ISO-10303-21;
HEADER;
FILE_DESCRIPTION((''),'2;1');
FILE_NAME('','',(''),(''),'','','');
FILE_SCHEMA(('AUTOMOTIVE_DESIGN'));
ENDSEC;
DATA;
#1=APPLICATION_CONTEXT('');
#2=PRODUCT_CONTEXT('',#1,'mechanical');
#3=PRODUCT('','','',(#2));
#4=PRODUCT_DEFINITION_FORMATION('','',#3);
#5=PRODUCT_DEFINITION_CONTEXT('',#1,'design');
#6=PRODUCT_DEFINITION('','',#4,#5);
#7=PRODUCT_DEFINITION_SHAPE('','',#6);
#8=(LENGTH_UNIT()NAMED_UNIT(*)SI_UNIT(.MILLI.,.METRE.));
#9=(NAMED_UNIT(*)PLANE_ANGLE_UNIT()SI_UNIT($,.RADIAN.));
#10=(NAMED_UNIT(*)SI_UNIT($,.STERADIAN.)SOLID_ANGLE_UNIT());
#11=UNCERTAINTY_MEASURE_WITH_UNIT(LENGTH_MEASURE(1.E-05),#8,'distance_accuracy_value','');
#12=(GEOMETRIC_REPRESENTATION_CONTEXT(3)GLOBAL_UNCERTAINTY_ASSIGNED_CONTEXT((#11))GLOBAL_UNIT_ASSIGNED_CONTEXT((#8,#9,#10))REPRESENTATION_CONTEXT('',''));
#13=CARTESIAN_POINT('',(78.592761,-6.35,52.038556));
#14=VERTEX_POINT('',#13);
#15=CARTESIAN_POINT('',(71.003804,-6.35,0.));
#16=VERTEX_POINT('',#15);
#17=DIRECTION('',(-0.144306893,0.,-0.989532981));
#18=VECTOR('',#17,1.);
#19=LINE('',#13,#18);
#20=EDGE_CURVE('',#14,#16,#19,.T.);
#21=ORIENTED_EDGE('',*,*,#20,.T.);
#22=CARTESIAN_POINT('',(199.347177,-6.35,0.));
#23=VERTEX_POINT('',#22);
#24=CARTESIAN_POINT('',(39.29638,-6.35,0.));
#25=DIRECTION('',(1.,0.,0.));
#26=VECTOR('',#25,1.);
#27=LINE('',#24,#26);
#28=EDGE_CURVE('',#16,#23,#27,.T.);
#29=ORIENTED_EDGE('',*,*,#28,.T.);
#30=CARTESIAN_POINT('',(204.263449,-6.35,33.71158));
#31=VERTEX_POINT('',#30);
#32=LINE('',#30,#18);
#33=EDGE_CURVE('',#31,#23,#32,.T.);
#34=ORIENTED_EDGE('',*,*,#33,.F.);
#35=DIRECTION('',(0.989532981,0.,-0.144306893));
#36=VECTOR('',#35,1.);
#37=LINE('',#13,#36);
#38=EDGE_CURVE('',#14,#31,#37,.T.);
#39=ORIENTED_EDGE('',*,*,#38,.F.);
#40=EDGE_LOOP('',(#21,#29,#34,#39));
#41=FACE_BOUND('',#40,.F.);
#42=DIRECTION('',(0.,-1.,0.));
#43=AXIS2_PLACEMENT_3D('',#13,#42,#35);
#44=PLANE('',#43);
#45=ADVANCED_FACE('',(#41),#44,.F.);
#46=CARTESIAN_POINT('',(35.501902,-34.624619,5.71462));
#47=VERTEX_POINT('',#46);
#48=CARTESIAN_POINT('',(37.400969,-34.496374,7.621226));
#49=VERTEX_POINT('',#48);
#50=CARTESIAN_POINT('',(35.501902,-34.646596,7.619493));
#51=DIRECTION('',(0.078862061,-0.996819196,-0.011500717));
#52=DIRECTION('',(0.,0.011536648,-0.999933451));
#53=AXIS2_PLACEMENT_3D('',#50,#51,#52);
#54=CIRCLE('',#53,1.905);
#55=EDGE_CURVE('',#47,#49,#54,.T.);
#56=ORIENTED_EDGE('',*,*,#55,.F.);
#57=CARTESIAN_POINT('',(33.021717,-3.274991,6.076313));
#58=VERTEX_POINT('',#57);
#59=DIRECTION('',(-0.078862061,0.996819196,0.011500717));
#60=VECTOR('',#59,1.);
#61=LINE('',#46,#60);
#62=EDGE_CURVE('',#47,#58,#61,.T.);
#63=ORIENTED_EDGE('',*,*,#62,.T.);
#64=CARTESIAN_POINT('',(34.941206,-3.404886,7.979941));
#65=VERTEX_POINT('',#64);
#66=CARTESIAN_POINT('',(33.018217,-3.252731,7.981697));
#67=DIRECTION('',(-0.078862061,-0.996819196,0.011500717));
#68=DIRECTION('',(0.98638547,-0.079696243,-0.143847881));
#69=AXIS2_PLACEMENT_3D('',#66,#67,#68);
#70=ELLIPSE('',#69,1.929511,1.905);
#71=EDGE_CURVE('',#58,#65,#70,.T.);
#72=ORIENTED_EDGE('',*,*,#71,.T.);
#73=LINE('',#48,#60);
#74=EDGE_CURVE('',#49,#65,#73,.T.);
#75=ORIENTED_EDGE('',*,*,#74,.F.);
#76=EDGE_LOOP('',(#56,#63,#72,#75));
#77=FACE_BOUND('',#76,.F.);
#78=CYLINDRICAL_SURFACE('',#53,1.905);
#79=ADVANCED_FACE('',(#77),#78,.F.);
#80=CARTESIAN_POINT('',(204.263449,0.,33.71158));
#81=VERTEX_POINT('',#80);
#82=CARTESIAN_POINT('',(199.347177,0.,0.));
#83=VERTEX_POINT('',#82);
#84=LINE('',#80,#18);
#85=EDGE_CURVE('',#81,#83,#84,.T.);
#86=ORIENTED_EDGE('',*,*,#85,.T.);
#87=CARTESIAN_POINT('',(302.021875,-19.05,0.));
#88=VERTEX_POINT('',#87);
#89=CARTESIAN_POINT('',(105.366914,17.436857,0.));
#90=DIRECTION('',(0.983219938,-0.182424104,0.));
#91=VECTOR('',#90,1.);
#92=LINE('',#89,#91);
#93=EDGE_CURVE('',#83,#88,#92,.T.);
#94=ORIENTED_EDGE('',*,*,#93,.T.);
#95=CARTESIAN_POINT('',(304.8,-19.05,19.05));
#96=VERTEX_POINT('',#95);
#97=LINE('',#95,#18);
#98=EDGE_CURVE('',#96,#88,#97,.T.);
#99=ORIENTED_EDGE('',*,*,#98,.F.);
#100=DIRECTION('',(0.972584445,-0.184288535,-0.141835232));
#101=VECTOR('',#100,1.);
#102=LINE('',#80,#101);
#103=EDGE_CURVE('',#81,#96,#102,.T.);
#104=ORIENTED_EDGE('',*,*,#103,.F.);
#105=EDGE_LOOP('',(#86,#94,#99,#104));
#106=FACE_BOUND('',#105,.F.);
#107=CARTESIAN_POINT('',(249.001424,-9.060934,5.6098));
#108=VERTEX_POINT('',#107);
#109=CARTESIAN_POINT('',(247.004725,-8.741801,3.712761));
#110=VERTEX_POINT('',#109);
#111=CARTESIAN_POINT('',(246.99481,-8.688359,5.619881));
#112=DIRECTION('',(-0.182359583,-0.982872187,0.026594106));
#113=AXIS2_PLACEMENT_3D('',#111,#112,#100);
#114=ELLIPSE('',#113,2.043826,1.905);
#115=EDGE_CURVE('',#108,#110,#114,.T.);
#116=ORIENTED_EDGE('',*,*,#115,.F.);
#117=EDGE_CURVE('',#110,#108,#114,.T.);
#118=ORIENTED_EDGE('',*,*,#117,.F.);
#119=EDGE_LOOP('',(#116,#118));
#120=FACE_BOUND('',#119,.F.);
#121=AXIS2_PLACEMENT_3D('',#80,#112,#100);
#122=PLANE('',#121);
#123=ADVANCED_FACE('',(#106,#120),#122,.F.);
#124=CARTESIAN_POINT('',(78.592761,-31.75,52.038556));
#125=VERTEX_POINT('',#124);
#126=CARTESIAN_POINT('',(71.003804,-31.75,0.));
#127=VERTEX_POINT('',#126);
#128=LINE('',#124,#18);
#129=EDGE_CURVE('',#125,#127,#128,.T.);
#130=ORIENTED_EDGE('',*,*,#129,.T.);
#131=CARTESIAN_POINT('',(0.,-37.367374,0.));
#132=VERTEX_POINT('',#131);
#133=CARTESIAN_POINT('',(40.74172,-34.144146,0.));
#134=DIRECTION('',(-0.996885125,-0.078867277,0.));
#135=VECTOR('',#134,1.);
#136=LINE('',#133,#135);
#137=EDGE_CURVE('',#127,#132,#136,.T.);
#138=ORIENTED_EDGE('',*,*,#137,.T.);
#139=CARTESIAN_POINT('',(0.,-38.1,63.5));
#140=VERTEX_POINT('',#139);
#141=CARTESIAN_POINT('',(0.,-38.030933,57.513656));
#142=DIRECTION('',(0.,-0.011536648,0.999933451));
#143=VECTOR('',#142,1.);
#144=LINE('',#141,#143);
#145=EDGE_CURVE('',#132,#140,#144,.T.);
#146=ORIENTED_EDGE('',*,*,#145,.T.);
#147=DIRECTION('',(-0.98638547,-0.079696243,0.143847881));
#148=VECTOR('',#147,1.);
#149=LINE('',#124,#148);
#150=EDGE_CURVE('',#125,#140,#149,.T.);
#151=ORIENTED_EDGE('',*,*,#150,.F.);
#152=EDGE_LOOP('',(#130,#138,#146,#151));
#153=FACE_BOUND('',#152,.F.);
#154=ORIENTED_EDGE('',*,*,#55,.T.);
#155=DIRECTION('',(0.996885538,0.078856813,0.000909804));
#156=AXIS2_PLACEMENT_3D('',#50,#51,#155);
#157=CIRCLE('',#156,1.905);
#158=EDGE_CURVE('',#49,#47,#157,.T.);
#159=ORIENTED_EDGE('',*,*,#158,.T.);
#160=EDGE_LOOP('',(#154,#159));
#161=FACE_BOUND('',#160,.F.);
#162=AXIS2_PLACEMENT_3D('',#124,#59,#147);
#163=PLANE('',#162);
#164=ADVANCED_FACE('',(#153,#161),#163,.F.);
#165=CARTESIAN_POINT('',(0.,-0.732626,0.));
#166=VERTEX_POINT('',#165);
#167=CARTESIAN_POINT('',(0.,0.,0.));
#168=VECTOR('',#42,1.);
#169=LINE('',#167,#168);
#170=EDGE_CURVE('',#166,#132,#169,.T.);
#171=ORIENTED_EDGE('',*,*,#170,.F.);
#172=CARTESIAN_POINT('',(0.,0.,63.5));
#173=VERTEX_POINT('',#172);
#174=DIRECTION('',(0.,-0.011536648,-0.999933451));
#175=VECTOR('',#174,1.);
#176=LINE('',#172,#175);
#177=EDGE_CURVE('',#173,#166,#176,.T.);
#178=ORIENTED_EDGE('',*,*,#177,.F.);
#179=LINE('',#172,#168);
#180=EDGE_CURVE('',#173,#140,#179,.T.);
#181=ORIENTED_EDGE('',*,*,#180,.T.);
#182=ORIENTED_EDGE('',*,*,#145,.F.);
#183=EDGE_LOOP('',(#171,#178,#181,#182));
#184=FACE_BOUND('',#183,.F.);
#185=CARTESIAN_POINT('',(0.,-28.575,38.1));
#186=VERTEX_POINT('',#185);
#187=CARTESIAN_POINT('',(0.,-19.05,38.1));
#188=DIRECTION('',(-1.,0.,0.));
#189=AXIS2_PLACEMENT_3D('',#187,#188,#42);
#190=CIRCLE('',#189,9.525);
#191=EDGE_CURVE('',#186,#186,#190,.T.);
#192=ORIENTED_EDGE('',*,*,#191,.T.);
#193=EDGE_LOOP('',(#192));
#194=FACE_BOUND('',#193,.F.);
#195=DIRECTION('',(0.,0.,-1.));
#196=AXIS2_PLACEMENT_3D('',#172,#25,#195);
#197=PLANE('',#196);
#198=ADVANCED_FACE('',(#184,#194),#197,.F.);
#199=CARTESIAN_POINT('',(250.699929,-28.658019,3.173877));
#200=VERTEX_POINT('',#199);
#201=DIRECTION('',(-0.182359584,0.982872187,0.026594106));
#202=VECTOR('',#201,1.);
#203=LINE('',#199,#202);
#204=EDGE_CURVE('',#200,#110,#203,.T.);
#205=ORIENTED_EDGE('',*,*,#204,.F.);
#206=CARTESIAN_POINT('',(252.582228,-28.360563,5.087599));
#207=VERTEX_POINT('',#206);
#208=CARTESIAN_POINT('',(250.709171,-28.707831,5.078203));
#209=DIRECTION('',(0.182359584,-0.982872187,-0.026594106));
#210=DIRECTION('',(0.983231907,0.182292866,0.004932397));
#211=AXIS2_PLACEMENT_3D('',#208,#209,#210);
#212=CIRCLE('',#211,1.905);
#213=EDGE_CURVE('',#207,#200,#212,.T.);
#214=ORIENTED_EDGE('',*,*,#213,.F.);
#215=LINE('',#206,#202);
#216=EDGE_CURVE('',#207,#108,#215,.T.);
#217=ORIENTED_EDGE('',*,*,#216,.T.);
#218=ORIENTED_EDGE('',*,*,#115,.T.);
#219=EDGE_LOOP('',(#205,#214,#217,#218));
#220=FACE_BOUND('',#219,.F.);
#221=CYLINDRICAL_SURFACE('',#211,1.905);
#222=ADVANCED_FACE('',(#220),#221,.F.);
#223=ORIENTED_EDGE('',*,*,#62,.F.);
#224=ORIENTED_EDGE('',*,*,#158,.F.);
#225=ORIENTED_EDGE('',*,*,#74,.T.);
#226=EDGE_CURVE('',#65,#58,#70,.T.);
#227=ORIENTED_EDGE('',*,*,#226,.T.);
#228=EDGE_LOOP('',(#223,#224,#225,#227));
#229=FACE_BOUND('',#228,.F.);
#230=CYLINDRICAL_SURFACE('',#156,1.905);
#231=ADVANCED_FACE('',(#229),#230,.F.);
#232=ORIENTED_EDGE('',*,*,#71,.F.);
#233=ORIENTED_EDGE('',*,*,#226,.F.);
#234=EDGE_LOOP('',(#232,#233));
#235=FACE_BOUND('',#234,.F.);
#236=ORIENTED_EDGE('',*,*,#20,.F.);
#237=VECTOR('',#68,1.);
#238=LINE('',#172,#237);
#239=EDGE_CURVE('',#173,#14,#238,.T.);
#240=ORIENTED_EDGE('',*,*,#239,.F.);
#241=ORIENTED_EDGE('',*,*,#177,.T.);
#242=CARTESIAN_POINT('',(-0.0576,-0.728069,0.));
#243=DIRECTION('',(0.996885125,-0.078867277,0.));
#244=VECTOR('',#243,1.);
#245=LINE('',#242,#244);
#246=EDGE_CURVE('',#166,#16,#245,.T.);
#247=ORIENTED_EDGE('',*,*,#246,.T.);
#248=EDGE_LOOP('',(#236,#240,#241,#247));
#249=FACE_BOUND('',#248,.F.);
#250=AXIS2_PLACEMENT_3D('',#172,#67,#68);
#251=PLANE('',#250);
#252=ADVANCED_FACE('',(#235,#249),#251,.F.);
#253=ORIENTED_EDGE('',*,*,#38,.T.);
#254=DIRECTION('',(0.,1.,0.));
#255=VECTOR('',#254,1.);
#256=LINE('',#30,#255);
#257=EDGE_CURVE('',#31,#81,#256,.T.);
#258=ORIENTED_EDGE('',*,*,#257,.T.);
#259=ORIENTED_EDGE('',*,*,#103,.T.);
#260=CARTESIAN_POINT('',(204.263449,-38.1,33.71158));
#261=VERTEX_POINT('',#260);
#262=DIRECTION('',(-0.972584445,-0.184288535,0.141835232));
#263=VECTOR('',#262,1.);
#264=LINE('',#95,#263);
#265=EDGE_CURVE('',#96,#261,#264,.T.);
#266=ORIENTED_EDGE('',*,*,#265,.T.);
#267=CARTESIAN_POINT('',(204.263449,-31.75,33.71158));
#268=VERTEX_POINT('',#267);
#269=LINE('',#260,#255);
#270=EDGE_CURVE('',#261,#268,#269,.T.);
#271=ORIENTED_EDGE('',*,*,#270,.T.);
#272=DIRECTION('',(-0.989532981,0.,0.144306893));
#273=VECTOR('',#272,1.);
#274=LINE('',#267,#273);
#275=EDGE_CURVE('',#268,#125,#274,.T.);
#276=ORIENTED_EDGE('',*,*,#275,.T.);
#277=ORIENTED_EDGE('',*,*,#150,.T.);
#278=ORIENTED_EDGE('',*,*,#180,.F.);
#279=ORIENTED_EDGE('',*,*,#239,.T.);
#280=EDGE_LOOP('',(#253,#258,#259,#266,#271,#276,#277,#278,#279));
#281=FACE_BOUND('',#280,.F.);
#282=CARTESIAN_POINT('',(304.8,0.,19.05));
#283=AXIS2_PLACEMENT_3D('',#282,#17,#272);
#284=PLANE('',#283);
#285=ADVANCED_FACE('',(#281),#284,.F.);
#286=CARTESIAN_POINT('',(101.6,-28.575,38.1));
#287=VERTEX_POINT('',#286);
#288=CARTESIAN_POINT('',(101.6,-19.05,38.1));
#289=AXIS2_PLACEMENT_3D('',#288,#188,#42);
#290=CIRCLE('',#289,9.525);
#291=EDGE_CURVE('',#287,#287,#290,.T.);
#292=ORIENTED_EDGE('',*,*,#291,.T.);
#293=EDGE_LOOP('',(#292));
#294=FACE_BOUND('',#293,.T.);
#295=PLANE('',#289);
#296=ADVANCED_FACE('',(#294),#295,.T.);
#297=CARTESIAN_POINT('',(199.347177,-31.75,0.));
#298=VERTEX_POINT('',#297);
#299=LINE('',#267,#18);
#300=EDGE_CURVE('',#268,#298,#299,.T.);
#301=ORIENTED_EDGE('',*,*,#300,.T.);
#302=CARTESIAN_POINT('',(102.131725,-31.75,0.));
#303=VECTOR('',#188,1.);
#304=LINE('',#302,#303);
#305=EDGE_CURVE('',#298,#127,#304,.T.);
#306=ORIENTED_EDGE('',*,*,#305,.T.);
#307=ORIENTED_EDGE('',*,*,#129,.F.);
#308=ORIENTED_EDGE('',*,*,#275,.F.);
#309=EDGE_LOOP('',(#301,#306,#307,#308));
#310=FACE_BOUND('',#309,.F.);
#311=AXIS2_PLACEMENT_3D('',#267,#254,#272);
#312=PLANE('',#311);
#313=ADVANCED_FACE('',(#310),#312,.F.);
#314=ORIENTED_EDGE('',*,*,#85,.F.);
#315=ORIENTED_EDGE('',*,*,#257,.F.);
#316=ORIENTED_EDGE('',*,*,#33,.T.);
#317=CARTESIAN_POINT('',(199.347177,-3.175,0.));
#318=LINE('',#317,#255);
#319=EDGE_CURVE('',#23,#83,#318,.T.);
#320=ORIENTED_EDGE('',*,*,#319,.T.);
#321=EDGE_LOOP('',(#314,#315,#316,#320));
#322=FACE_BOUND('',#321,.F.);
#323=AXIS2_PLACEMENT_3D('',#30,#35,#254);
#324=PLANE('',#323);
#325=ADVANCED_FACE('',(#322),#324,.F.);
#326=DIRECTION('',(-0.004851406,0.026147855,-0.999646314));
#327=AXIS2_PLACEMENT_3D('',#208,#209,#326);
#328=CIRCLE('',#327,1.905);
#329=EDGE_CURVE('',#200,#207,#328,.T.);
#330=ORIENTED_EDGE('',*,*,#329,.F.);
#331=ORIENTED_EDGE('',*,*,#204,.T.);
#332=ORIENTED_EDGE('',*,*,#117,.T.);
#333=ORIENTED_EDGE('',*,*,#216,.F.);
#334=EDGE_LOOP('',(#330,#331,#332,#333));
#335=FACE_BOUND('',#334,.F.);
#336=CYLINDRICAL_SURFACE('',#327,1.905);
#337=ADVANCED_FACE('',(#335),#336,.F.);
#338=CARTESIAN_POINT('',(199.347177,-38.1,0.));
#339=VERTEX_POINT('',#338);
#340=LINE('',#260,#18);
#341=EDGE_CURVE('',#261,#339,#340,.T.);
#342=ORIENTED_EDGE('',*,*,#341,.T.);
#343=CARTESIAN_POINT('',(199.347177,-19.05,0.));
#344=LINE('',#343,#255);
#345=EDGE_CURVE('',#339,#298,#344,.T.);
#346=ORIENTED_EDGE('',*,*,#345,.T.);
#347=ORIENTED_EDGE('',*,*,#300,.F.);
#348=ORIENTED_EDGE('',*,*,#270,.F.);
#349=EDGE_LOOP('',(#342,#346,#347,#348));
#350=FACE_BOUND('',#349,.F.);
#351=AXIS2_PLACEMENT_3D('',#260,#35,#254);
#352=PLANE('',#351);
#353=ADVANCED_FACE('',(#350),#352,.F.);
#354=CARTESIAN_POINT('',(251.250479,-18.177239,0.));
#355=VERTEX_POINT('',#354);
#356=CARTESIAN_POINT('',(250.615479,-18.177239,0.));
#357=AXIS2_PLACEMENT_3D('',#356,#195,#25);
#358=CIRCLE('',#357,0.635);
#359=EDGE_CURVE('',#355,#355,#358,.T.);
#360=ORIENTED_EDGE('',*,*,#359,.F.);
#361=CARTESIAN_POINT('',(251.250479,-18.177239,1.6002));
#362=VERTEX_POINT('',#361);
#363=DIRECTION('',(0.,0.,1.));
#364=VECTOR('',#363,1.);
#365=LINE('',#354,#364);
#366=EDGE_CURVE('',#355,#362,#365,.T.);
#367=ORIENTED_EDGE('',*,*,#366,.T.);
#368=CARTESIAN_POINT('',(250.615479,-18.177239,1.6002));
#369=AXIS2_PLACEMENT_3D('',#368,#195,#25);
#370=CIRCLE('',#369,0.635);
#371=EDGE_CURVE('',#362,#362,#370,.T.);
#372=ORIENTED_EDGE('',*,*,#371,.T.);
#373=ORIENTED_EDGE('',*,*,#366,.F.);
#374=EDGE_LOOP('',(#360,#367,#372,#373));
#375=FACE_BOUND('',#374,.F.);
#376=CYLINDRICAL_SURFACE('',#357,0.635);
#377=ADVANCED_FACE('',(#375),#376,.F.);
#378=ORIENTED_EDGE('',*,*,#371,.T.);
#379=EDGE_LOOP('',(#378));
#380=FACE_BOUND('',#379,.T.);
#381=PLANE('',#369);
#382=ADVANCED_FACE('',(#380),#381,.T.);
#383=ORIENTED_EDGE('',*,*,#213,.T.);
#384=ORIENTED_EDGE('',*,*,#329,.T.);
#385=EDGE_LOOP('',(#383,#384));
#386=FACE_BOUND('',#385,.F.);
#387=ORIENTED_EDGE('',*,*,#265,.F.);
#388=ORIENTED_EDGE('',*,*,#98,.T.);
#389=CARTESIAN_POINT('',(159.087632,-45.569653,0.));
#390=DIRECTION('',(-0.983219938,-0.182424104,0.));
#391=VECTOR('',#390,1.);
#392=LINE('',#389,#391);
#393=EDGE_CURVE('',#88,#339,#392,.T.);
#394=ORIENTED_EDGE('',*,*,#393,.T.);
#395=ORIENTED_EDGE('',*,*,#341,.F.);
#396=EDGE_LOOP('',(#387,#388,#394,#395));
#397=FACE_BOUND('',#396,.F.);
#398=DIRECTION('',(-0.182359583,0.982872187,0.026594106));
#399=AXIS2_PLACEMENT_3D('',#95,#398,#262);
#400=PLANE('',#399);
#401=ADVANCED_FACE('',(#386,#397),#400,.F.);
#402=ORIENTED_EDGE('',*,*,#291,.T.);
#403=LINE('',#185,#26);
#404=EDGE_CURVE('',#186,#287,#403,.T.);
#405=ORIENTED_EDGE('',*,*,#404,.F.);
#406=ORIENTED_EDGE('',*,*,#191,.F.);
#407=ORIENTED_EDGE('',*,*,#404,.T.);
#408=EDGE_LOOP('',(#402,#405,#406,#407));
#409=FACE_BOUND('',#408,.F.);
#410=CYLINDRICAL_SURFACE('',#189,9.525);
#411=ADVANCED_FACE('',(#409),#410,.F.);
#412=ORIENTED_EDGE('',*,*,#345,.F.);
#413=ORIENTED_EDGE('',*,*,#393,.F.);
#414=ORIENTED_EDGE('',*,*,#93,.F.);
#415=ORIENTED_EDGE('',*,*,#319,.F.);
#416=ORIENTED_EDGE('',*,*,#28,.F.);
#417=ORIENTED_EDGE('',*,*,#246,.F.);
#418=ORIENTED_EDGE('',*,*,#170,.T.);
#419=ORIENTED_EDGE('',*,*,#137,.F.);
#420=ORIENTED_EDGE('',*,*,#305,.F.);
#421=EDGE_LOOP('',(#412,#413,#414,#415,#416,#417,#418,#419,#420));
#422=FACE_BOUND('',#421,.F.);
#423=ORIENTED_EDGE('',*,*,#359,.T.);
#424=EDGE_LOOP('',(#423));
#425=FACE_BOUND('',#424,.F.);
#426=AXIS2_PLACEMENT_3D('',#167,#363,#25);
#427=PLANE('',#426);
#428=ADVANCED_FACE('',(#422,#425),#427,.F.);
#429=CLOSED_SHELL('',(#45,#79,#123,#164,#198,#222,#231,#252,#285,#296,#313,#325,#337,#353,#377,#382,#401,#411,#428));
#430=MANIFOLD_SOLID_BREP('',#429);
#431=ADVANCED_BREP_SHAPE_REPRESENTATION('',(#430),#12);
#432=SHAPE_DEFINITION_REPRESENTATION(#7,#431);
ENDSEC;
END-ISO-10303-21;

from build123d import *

# Parameters (mm, degrees)
F1_DEPTH   = 38.1
F2_R       = 9.525
F3_DEPTH   = 101.6
F1_FACE2_W = 38.1
F1_FACE2_H = 19.05
F5_DEPTH   = 152.4
F7_DEPTH   = 63.5
F9_DEPTH   = 50.8
F10_R      = 0.635
F11_DEPTH  = 1.6002


with BuildPart() as f1:
    # F0 (on Front) → F1 (new body)
    with BuildSketch(Plane.XZ):
        Polygon((0, 63.5), (0, 0), (304.8, 0), (304.8, 19.05), align=None)
    extrude(amount=F1_DEPTH)

    # F2 (on face) → F3 (cut)
    with BuildSketch(Plane(origin=(0, 0, 0), x_dir=(0, -1, 0), z_dir=(-1, 0, 0))):
        with Locations((19.05, 38.1)):
            Circle(F2_R)
    extrude(amount=-F3_DEPTH, mode=Mode.SUBTRACT)

    # F4 (on face) + F1_face2 (on face) → F5 (cut)
    with BuildSketch(Plane(origin=(9.0675733107, 0, 62.1776455589), x_dir=(0.9895329811, 0, -0.1443068931), z_dir=(0.1443068931, 0, 0.9895329811))):
        Polygon((197.2606063151, -6.35), (197.2606063151, 0), (-9.1634877101, 0), (70.2606063151, -6.35), (95.6606063151, -6.35), align=None)
        Polygon((-9.1634877101, -38.1), (197.2606063151, -38.1), (197.2606063151, -31.75), (95.6606063151, -31.75), (70.2606063151, -31.75), align=None)
        Polygon((298.8606063151, -19.05), (298.8606063151, 0), (197.2606063151, 0), align=None)
        Polygon((298.8606063151, -38.1), (298.8606063151, -19.05), (197.2606063151, -38.1), align=None)
    with BuildSketch(Plane(origin=(304.8, -19.05, 9.525), x_dir=(0, 1, 0), z_dir=(1, 0, 0))):
        Rectangle(F1_FACE2_W, F1_FACE2_H)
    extrude(amount=-F5_DEPTH, dir=(0.1443068931, 0, 0.9895329811), mode=Mode.SUBTRACT)

    # F6 (on face) → F7 (cut)
    with BuildSketch(Plane(origin=(2.9374947207, -37.1300355722, -0.4283846468), x_dir=(0.9968855377, 0.0788568126, 0.0009098038), z_dir=(0.0788620609, -0.9968191957, -0.0115007172))):
        with BuildLine():
            ThreePointArc((34.5711449956, 8.0186913962), (31.3191065774, 9.3657298144), (32.6661449956, 6.1136913962))
            ThreePointArc((32.6661449956, 6.1136913962), (34.0131834138, 6.6716529781), (34.5711449956, 8.0186913962))
        make_face()
    extrude(amount=-F7_DEPTH, mode=Mode.SUBTRACT)

    # F8 (on face) → F9 (cut)
    with BuildSketch(Plane(origin=(13.4581916909, -72.5362607665, -1.9626529549), x_dir=(0.9832319067, 0.1822928664, 0.004932397), z_dir=(0.1823595835, -0.9828721869, -0.0265941059))):
        with BuildLine():
            ThreePointArc((241.2876717144, 3.947847759), (242.6407823243, 4.5024670011), (243.2020712552, 5.8528245695))
            ThreePointArc((243.2020712552, 5.8528245695), (239.953360186, 7.2031821379), (241.2876717144, 3.947847759))
        make_face()
    extrude(amount=-F9_DEPTH, mode=Mode.SUBTRACT)

    # F10 (on face) → F11 (cut)
    with BuildSketch(Plane(origin=(0, 0, 0), x_dir=(1, 0, 0), z_dir=(0, 0, -1))):
        with Locations((250.615478633, 18.1772389299)):
            Circle(F10_R)
    extrude(amount=-F11_DEPTH, mode=Mode.SUBTRACT)


solid = f1.part
